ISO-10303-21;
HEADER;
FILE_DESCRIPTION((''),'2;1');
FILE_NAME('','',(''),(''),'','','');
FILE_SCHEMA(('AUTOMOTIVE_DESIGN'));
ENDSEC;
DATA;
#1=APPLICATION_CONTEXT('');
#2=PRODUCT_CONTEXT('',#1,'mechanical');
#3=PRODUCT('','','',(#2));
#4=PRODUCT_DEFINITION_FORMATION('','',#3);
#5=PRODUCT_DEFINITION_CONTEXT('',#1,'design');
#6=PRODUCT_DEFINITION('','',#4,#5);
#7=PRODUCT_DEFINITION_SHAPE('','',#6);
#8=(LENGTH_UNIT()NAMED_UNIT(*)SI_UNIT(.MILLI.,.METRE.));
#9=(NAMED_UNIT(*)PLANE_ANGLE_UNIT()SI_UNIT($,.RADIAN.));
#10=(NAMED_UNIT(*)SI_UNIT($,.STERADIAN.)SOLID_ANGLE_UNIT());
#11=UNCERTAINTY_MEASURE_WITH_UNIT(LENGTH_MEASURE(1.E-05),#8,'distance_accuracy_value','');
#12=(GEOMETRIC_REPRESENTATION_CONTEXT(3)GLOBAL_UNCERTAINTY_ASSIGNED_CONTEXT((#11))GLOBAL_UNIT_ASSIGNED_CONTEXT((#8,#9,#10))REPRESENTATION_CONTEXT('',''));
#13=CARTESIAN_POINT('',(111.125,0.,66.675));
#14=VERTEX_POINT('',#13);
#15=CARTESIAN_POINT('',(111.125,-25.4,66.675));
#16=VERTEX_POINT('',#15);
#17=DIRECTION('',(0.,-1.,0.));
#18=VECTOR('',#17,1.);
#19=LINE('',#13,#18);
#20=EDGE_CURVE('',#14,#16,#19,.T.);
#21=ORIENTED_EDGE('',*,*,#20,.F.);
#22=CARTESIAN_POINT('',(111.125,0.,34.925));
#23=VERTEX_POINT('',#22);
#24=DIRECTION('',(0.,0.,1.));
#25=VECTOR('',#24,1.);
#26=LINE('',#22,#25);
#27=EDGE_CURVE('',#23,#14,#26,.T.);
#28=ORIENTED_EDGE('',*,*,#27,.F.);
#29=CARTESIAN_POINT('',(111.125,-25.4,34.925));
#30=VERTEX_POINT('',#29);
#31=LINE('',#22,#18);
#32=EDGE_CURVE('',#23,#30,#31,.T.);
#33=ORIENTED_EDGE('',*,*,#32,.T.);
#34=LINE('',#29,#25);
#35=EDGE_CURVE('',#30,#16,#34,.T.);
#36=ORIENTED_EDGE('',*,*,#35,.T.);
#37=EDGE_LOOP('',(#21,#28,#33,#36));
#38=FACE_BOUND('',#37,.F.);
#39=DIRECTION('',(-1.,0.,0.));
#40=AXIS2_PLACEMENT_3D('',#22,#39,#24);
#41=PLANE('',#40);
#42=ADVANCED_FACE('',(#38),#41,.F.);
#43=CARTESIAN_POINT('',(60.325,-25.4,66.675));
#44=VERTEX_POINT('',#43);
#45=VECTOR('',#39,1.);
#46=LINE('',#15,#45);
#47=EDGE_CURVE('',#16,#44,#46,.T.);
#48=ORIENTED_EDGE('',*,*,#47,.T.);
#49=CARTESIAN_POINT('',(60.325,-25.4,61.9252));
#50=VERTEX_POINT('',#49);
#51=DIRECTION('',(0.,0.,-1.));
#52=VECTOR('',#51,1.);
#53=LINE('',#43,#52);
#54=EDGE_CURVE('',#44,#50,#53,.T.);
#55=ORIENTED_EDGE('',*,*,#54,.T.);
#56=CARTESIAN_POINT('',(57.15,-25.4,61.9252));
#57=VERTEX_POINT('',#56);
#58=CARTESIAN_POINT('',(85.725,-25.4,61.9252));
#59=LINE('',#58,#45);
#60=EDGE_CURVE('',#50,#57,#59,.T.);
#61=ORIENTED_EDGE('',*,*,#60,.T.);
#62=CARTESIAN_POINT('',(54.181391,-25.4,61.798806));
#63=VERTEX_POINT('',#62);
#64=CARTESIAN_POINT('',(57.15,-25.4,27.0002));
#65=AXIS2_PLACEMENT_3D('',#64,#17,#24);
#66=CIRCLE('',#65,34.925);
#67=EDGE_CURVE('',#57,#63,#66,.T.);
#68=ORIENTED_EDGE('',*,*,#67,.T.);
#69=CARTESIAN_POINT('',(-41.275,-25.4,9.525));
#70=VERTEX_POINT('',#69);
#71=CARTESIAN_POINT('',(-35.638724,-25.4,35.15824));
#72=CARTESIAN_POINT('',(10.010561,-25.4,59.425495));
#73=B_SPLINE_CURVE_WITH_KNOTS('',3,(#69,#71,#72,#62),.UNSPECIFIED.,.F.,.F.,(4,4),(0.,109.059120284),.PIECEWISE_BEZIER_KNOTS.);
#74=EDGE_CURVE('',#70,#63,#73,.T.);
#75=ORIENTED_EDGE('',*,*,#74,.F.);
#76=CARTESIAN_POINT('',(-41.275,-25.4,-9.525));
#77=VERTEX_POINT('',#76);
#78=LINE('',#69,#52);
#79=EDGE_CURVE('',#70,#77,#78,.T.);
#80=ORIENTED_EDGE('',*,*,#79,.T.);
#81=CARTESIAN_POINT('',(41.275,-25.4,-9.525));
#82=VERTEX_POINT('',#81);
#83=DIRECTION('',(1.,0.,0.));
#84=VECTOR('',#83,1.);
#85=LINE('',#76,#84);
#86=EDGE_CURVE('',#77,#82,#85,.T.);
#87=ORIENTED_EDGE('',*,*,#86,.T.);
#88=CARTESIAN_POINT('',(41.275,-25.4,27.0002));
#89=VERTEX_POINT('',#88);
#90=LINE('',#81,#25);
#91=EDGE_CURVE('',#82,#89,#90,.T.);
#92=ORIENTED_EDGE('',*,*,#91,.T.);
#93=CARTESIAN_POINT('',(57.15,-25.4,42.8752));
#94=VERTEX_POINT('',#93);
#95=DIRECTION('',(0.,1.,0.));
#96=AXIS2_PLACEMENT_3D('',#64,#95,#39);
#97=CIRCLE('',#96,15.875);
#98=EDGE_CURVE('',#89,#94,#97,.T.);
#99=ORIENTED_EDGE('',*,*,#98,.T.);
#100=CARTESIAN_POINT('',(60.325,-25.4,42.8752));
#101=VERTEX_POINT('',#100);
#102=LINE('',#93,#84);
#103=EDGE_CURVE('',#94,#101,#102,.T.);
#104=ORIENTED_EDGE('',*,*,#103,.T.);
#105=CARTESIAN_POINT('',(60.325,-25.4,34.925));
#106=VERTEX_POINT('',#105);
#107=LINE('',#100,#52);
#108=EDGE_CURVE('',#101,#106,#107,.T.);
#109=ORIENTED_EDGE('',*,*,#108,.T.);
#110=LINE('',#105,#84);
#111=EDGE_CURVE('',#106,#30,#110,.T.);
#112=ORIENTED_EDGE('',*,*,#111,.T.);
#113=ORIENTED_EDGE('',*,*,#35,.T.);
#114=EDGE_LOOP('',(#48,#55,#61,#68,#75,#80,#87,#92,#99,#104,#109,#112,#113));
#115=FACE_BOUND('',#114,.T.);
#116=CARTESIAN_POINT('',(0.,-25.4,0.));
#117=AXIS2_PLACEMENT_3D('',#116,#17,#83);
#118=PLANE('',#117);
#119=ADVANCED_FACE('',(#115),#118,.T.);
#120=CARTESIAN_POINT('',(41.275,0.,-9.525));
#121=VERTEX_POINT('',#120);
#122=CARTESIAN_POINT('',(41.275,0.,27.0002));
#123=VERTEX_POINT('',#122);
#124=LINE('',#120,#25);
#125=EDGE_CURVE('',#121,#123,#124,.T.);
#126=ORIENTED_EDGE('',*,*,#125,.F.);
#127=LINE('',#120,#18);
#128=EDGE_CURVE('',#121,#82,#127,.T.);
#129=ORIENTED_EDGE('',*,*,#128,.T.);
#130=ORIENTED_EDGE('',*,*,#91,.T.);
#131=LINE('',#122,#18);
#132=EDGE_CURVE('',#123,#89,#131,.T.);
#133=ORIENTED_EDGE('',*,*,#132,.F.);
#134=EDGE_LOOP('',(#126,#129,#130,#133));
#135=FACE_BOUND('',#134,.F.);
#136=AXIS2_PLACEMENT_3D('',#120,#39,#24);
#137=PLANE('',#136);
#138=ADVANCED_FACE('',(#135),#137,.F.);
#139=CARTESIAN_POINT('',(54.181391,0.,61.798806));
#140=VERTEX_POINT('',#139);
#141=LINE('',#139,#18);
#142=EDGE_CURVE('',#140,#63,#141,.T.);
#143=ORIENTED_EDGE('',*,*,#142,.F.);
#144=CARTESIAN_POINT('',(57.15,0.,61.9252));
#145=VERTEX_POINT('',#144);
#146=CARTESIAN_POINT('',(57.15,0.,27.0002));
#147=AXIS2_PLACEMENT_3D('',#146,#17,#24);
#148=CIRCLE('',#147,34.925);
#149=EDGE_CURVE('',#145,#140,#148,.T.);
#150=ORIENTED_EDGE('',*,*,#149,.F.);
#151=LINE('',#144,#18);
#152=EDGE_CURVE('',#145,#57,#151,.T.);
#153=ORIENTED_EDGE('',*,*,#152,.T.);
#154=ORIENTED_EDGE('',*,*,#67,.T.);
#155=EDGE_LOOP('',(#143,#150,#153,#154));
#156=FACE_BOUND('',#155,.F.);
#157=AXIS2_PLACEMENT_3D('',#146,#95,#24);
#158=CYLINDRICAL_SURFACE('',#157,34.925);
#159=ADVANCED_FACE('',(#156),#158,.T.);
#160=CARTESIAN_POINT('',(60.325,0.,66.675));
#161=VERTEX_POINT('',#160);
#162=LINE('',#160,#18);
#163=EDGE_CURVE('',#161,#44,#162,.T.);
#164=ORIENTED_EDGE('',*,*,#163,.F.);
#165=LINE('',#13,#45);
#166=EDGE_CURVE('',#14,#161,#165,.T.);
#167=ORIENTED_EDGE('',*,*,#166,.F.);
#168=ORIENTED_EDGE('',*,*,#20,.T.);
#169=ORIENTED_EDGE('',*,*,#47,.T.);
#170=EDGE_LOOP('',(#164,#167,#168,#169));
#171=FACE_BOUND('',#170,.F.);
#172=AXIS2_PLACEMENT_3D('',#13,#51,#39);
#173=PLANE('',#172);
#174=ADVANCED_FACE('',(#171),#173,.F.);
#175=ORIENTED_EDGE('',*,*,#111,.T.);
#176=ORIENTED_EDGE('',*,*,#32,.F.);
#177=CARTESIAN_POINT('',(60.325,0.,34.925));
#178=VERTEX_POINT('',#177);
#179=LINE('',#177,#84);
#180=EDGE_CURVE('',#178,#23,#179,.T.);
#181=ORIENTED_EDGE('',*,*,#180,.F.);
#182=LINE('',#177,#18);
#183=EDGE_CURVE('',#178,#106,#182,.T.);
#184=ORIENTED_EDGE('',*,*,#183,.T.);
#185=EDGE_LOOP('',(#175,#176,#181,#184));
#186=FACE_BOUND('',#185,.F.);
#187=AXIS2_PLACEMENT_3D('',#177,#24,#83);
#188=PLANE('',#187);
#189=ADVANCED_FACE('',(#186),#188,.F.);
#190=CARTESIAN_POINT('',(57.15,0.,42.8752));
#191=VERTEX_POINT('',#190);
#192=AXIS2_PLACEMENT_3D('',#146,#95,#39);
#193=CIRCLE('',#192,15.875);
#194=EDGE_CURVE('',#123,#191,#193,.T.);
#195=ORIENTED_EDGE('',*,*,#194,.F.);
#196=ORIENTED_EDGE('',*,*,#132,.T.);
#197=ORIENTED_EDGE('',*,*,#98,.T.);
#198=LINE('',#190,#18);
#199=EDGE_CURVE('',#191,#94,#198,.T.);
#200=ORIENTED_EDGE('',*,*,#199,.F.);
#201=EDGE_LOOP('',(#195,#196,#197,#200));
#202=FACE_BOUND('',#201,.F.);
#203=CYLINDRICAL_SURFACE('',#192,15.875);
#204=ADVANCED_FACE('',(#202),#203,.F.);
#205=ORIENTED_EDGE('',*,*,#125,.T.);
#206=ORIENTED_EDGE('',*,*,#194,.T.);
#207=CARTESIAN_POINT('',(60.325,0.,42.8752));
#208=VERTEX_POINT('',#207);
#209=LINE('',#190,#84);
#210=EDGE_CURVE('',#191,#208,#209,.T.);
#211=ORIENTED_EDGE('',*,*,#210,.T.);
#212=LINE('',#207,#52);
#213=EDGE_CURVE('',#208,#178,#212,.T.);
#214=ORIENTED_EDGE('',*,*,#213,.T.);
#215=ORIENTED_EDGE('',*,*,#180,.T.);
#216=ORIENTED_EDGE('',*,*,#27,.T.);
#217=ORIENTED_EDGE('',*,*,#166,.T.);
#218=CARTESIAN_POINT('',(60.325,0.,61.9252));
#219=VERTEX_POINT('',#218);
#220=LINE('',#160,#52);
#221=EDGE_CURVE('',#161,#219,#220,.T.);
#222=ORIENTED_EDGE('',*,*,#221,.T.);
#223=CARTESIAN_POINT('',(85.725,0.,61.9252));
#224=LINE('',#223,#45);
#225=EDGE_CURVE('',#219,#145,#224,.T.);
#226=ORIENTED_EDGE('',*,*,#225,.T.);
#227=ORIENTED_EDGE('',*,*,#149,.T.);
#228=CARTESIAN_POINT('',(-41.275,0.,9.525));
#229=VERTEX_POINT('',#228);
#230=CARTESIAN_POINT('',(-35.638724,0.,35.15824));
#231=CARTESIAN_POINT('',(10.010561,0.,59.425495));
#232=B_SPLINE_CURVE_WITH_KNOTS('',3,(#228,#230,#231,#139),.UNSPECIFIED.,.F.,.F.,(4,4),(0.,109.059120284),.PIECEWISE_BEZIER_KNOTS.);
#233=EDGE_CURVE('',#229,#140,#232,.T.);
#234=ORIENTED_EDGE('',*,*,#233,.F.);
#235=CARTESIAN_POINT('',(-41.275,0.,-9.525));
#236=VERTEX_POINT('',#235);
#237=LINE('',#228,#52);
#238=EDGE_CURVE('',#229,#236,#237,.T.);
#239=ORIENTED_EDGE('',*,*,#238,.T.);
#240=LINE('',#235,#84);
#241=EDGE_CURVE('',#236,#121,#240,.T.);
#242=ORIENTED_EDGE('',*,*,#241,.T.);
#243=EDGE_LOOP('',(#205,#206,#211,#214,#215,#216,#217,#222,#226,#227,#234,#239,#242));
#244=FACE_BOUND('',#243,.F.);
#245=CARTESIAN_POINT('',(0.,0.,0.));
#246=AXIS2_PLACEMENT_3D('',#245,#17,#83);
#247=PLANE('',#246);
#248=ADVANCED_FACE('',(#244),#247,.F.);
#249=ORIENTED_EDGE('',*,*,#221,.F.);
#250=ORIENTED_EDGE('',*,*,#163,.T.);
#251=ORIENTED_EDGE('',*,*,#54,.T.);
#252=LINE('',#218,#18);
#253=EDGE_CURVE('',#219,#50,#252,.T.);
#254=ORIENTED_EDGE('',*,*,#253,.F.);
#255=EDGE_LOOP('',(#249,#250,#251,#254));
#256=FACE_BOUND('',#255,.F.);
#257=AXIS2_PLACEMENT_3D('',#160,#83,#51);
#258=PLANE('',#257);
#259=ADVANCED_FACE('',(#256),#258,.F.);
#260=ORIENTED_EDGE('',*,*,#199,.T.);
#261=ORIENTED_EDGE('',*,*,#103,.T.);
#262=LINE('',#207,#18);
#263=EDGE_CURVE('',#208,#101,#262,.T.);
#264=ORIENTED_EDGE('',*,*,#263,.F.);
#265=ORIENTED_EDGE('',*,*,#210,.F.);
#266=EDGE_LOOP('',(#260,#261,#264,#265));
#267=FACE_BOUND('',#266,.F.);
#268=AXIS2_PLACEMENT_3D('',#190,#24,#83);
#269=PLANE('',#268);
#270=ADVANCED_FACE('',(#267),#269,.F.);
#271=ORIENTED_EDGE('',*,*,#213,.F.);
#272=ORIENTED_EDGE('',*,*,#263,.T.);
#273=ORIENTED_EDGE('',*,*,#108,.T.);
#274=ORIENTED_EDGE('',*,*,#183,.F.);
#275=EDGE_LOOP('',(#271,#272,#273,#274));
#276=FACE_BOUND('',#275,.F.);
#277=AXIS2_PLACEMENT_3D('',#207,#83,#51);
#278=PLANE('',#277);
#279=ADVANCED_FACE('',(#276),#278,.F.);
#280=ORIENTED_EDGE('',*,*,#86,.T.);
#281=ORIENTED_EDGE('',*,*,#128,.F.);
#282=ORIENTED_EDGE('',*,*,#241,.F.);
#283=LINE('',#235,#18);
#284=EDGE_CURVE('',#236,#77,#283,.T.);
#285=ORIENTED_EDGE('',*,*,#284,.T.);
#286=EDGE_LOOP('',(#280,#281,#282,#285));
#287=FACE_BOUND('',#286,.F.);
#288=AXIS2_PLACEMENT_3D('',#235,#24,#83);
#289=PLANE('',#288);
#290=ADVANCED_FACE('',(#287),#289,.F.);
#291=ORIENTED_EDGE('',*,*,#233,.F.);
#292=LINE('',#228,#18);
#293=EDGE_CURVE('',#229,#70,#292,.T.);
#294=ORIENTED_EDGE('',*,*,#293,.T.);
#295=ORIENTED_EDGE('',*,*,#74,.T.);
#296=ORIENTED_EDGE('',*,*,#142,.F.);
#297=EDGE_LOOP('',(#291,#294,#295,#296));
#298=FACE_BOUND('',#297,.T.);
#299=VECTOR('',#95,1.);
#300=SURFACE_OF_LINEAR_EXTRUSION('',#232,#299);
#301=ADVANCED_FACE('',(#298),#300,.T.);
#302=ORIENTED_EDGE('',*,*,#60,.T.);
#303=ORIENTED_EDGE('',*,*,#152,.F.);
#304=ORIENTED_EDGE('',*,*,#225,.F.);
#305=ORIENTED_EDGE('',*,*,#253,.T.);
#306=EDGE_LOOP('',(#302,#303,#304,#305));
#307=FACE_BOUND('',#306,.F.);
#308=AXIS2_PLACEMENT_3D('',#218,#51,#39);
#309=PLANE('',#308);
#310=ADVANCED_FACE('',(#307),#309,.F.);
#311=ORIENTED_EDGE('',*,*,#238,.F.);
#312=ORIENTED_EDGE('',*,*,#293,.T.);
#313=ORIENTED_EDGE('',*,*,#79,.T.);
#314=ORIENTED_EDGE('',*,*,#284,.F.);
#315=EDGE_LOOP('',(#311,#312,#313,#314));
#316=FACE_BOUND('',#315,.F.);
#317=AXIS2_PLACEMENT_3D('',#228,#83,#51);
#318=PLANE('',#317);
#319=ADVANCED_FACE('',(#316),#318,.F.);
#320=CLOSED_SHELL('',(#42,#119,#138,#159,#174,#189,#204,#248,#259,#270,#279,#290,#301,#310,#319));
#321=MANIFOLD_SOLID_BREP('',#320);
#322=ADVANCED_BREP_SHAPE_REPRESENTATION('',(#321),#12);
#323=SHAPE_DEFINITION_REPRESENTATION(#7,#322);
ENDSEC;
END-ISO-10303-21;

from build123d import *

# Parameters (mm, degrees)
F0_W     = 25.4
F0_H     = 19.05
F1_DEPTH = 25.4


with BuildPart() as f1:
    # F0 (on Front) → F1 (new body)
    with BuildSketch(Plane.XZ):
        Polygon((-41.275, 9.525), (-41.275, -9.525), (41.275, -9.525), (41.275, 9.525), (22.225, 9.525), align=None)
        with BuildLine():
            add(Edge.make_bspline(
                [(-41.275, 9.525), (-35.6387243901, 35.1582404127), (10.0105613551, 59.4254952908), (54.1813906662, 61.7988060586)],
                knots=[0, 0, 0, 0, 109.0591202837, 109.0591202837, 109.0591202837, 109.0591202837], degree=3))
            Line((-41.275, 9.525), (22.225, 9.525))
            Line((22.225, 9.525), (22.225, 27.0002))
            ThreePointArc((22.225, 27.0002), (31.4261365073, 50.623037933), (54.1813906662, 61.7988060586))
        make_face()
        with BuildLine():
            Line((22.225, 9.525), (41.275, 9.525))
            Line((41.275, 9.525), (41.275, 27.0002))
            ThreePointArc((41.275, 27.0002), (45.9246798487, 38.2255201513), (57.15, 42.8752))
            Line((57.15, 42.8752), (60.325, 42.8752))
            Line((60.325, 42.8752), (60.325, 61.9252))
            Line((60.325, 61.9252), (57.15, 61.9252))
            add(Edge.make_bspline(
                [(54.1813906662, 61.7988060586), (55.1718263779, 61.8520224409), (56.1615187454, 61.8942308978), (57.15, 61.9252)],
                knots=[109.0591202837, 109.0591202837, 109.0591202837, 109.0591202837, 111.5045361635, 111.5045361635, 111.5045361635, 111.5045361635], degree=3))
            ThreePointArc((54.1813906662, 61.7988060586), (31.4261365073, 50.623037933), (22.225, 27.0002))
            Line((22.225, 27.0002), (22.225, 9.525))
        make_face()
        with BuildLine():
            ThreePointArc((57.15, 61.9252), (55.6643505793, 61.8935872073), (54.1813906662, 61.7988060586))
            add(Edge.make_bspline(
                [(54.1813906662, 61.7988060586), (55.1718263779, 61.8520224409), (56.1615187454, 61.8942308978), (57.15, 61.9252)],
                knots=[109.0591202837, 109.0591202837, 109.0591202837, 109.0591202837, 111.5045361635, 111.5045361635, 111.5045361635, 111.5045361635], degree=3))
        make_face()
        with Locations((73.025, 52.4002)):
            Rectangle(F0_W, F0_H)
        Polygon((60.325, 66.675), (60.325, 61.9252), (85.725, 61.9252), (85.725, 42.8752), (60.325, 42.8752), (60.325, 34.925), (111.125, 34.925), (111.125, 66.675), align=None)
    extrude(amount=F1_DEPTH)


solid = f1.part
